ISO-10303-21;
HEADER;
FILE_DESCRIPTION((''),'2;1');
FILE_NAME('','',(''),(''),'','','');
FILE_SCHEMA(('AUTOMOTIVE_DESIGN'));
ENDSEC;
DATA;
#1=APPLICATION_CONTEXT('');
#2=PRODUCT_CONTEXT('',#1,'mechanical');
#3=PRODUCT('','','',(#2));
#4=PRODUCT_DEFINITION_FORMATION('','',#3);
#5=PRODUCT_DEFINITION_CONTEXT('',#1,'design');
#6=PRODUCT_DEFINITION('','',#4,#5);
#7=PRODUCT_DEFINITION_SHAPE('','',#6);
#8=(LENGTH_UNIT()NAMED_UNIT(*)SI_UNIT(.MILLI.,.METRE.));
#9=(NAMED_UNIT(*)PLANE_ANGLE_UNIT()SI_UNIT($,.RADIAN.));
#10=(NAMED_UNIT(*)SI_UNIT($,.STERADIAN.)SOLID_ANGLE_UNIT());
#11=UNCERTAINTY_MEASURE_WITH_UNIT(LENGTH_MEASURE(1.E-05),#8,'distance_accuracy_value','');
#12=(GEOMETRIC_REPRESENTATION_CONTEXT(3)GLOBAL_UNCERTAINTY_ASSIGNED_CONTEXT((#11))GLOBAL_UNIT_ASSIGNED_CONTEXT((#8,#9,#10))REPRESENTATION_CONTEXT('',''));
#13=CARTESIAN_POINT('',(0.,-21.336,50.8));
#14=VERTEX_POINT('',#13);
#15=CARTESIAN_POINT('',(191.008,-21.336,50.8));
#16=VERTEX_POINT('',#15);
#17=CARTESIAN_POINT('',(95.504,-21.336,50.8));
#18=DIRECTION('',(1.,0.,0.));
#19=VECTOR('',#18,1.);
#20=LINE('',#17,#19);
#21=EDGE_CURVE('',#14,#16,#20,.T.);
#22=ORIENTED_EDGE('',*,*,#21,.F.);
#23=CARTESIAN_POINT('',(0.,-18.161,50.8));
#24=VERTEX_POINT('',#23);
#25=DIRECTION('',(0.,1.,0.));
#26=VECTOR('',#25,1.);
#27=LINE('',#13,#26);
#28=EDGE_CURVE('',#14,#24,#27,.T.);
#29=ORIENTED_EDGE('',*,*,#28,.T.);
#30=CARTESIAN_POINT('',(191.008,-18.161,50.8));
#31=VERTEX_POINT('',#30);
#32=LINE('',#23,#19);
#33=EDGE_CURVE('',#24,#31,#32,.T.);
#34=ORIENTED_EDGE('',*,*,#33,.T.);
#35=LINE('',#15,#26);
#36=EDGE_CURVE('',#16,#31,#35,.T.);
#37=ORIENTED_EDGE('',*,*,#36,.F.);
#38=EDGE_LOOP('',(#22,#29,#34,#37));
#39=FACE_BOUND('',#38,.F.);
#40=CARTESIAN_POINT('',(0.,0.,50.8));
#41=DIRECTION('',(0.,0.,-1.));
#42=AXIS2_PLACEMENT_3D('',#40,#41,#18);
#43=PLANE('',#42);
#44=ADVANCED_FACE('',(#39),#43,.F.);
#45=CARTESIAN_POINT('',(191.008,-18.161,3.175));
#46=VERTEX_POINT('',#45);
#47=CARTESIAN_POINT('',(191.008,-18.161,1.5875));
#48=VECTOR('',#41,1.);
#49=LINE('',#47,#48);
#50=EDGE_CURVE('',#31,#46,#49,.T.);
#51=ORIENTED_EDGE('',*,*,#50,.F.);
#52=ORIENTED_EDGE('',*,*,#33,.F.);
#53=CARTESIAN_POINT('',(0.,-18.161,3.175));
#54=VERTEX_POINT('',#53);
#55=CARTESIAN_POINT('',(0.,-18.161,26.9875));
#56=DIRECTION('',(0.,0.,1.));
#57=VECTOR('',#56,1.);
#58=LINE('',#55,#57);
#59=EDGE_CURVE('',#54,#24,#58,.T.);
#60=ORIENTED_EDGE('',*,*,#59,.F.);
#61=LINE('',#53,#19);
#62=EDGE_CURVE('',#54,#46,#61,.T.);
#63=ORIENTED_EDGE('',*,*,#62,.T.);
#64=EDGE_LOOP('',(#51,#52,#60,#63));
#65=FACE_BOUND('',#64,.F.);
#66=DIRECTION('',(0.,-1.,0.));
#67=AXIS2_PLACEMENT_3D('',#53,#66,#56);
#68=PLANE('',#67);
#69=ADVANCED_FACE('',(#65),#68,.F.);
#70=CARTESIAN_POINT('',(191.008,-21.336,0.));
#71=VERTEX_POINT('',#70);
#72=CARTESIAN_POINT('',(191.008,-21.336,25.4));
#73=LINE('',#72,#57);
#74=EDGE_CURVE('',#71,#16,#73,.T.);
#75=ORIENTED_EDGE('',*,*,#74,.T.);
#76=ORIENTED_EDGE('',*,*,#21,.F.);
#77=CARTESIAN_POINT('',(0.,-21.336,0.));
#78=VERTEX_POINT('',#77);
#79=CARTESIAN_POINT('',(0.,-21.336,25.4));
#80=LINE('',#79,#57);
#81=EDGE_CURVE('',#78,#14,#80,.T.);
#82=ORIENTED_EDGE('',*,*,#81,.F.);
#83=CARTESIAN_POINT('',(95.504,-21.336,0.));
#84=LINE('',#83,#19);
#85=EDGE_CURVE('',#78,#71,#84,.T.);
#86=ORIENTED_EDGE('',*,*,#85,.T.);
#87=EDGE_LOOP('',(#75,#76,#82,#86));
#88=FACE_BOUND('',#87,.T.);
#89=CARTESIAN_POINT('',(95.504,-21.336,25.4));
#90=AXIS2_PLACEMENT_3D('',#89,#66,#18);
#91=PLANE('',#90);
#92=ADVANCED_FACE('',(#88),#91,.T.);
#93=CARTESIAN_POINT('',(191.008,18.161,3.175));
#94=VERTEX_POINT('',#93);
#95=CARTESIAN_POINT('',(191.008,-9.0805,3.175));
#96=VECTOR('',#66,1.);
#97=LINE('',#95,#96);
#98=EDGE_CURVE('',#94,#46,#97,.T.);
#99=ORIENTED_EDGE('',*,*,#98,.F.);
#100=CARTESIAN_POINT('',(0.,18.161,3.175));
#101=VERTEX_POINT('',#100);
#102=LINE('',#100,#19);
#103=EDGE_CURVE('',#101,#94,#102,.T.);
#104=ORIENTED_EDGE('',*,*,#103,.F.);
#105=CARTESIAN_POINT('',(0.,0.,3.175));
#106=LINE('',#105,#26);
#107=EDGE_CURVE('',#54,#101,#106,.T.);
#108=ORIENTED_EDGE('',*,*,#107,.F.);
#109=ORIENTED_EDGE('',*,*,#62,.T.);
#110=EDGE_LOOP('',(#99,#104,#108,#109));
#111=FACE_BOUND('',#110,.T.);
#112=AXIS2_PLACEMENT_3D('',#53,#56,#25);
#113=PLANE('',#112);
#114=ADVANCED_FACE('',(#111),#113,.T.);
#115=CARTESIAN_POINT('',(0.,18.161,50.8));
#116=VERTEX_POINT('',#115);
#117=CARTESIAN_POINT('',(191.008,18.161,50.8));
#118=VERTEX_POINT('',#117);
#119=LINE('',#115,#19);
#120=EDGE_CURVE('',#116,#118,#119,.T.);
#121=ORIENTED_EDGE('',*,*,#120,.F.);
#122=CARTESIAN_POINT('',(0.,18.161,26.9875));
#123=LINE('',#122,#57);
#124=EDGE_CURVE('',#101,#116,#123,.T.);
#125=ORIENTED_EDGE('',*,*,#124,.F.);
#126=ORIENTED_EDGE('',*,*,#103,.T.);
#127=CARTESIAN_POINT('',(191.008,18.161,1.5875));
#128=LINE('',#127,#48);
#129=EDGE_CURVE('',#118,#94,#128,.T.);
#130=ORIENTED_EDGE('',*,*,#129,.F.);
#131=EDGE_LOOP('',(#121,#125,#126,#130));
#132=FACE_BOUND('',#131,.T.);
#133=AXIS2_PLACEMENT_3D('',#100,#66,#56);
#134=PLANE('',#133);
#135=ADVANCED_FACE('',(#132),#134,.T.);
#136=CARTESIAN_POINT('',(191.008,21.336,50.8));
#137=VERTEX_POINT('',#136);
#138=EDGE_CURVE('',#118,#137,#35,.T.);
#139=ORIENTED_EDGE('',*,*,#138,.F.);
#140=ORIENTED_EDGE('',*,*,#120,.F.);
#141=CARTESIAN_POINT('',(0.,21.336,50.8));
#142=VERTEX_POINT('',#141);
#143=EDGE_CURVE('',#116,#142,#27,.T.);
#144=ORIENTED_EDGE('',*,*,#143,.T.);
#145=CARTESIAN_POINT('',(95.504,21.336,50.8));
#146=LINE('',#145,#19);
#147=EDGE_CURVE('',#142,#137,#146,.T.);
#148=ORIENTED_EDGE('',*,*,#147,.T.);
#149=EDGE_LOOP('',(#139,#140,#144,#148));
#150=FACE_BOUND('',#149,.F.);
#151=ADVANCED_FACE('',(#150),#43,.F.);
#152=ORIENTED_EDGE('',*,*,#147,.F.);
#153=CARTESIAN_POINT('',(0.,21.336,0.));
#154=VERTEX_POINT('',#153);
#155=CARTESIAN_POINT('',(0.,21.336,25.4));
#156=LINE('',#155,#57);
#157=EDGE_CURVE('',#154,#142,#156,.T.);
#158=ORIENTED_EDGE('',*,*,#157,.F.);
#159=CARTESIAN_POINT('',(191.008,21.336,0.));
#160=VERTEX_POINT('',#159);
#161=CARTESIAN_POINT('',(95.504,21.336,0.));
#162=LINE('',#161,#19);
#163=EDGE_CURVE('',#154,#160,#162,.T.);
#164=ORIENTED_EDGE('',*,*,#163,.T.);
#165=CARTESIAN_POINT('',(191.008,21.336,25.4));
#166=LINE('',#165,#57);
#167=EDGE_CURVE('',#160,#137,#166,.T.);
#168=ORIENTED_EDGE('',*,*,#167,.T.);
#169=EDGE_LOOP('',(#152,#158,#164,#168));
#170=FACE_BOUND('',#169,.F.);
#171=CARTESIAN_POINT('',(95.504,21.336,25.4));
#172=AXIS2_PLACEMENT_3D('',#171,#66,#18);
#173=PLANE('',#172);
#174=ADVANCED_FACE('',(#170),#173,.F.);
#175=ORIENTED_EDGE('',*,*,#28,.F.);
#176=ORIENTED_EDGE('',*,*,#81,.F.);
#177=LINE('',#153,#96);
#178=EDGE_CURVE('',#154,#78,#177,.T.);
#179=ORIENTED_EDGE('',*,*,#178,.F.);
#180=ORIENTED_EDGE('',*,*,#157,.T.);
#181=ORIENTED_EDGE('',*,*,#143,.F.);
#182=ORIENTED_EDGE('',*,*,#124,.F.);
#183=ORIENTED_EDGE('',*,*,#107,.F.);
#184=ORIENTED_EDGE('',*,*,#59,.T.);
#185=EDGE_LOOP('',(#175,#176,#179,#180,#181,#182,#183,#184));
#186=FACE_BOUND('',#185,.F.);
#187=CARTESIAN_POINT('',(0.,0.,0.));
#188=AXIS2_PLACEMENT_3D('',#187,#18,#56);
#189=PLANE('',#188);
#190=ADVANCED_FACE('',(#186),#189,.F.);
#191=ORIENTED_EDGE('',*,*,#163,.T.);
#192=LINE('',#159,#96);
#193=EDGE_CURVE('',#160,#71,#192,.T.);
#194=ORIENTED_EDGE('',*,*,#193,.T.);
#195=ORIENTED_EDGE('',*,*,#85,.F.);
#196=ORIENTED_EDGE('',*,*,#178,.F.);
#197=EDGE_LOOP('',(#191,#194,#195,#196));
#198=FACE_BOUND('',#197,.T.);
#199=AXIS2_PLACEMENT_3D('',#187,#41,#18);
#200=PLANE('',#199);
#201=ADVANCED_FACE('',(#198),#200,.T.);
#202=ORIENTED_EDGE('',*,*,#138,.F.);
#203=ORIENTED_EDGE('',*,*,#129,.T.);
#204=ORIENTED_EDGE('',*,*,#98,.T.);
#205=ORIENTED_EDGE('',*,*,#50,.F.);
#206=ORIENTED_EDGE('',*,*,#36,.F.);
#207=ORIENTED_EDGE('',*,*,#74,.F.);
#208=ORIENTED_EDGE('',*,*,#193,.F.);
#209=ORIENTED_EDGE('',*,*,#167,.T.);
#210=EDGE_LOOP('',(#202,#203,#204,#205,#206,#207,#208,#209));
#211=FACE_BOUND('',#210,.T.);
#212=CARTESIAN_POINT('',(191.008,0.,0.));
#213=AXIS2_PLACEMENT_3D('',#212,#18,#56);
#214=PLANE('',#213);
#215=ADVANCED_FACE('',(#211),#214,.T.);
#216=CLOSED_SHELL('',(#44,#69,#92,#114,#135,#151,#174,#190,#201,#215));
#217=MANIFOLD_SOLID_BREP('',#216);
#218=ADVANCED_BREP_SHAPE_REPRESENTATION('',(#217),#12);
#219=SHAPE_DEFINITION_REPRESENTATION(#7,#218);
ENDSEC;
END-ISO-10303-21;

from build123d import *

# Parameters (mm, degrees)
F0_W     = 191.008
F0_H     = 50.8
F1_DEPTH = 21.336
F2_W     = 36.322
F2_H     = 47.625
F3_DEPTH = 191.009


with BuildPart() as f1:
    # F0 (on Front) → F1 (new body, symmetric)
    with BuildSketch(Plane.XZ):
        with Locations((95.504, 25.4)):
            Rectangle(F0_W, F0_H)
    extrude(amount=F1_DEPTH, both=True)

    # F2 (on Right) → F3 (cut, through all)
    with BuildSketch(Plane.YZ):
        with Locations((0, 26.9875)):
            Rectangle(F2_W, F2_H)
    extrude(amount=F3_DEPTH, mode=Mode.SUBTRACT)


solid = f1.part
